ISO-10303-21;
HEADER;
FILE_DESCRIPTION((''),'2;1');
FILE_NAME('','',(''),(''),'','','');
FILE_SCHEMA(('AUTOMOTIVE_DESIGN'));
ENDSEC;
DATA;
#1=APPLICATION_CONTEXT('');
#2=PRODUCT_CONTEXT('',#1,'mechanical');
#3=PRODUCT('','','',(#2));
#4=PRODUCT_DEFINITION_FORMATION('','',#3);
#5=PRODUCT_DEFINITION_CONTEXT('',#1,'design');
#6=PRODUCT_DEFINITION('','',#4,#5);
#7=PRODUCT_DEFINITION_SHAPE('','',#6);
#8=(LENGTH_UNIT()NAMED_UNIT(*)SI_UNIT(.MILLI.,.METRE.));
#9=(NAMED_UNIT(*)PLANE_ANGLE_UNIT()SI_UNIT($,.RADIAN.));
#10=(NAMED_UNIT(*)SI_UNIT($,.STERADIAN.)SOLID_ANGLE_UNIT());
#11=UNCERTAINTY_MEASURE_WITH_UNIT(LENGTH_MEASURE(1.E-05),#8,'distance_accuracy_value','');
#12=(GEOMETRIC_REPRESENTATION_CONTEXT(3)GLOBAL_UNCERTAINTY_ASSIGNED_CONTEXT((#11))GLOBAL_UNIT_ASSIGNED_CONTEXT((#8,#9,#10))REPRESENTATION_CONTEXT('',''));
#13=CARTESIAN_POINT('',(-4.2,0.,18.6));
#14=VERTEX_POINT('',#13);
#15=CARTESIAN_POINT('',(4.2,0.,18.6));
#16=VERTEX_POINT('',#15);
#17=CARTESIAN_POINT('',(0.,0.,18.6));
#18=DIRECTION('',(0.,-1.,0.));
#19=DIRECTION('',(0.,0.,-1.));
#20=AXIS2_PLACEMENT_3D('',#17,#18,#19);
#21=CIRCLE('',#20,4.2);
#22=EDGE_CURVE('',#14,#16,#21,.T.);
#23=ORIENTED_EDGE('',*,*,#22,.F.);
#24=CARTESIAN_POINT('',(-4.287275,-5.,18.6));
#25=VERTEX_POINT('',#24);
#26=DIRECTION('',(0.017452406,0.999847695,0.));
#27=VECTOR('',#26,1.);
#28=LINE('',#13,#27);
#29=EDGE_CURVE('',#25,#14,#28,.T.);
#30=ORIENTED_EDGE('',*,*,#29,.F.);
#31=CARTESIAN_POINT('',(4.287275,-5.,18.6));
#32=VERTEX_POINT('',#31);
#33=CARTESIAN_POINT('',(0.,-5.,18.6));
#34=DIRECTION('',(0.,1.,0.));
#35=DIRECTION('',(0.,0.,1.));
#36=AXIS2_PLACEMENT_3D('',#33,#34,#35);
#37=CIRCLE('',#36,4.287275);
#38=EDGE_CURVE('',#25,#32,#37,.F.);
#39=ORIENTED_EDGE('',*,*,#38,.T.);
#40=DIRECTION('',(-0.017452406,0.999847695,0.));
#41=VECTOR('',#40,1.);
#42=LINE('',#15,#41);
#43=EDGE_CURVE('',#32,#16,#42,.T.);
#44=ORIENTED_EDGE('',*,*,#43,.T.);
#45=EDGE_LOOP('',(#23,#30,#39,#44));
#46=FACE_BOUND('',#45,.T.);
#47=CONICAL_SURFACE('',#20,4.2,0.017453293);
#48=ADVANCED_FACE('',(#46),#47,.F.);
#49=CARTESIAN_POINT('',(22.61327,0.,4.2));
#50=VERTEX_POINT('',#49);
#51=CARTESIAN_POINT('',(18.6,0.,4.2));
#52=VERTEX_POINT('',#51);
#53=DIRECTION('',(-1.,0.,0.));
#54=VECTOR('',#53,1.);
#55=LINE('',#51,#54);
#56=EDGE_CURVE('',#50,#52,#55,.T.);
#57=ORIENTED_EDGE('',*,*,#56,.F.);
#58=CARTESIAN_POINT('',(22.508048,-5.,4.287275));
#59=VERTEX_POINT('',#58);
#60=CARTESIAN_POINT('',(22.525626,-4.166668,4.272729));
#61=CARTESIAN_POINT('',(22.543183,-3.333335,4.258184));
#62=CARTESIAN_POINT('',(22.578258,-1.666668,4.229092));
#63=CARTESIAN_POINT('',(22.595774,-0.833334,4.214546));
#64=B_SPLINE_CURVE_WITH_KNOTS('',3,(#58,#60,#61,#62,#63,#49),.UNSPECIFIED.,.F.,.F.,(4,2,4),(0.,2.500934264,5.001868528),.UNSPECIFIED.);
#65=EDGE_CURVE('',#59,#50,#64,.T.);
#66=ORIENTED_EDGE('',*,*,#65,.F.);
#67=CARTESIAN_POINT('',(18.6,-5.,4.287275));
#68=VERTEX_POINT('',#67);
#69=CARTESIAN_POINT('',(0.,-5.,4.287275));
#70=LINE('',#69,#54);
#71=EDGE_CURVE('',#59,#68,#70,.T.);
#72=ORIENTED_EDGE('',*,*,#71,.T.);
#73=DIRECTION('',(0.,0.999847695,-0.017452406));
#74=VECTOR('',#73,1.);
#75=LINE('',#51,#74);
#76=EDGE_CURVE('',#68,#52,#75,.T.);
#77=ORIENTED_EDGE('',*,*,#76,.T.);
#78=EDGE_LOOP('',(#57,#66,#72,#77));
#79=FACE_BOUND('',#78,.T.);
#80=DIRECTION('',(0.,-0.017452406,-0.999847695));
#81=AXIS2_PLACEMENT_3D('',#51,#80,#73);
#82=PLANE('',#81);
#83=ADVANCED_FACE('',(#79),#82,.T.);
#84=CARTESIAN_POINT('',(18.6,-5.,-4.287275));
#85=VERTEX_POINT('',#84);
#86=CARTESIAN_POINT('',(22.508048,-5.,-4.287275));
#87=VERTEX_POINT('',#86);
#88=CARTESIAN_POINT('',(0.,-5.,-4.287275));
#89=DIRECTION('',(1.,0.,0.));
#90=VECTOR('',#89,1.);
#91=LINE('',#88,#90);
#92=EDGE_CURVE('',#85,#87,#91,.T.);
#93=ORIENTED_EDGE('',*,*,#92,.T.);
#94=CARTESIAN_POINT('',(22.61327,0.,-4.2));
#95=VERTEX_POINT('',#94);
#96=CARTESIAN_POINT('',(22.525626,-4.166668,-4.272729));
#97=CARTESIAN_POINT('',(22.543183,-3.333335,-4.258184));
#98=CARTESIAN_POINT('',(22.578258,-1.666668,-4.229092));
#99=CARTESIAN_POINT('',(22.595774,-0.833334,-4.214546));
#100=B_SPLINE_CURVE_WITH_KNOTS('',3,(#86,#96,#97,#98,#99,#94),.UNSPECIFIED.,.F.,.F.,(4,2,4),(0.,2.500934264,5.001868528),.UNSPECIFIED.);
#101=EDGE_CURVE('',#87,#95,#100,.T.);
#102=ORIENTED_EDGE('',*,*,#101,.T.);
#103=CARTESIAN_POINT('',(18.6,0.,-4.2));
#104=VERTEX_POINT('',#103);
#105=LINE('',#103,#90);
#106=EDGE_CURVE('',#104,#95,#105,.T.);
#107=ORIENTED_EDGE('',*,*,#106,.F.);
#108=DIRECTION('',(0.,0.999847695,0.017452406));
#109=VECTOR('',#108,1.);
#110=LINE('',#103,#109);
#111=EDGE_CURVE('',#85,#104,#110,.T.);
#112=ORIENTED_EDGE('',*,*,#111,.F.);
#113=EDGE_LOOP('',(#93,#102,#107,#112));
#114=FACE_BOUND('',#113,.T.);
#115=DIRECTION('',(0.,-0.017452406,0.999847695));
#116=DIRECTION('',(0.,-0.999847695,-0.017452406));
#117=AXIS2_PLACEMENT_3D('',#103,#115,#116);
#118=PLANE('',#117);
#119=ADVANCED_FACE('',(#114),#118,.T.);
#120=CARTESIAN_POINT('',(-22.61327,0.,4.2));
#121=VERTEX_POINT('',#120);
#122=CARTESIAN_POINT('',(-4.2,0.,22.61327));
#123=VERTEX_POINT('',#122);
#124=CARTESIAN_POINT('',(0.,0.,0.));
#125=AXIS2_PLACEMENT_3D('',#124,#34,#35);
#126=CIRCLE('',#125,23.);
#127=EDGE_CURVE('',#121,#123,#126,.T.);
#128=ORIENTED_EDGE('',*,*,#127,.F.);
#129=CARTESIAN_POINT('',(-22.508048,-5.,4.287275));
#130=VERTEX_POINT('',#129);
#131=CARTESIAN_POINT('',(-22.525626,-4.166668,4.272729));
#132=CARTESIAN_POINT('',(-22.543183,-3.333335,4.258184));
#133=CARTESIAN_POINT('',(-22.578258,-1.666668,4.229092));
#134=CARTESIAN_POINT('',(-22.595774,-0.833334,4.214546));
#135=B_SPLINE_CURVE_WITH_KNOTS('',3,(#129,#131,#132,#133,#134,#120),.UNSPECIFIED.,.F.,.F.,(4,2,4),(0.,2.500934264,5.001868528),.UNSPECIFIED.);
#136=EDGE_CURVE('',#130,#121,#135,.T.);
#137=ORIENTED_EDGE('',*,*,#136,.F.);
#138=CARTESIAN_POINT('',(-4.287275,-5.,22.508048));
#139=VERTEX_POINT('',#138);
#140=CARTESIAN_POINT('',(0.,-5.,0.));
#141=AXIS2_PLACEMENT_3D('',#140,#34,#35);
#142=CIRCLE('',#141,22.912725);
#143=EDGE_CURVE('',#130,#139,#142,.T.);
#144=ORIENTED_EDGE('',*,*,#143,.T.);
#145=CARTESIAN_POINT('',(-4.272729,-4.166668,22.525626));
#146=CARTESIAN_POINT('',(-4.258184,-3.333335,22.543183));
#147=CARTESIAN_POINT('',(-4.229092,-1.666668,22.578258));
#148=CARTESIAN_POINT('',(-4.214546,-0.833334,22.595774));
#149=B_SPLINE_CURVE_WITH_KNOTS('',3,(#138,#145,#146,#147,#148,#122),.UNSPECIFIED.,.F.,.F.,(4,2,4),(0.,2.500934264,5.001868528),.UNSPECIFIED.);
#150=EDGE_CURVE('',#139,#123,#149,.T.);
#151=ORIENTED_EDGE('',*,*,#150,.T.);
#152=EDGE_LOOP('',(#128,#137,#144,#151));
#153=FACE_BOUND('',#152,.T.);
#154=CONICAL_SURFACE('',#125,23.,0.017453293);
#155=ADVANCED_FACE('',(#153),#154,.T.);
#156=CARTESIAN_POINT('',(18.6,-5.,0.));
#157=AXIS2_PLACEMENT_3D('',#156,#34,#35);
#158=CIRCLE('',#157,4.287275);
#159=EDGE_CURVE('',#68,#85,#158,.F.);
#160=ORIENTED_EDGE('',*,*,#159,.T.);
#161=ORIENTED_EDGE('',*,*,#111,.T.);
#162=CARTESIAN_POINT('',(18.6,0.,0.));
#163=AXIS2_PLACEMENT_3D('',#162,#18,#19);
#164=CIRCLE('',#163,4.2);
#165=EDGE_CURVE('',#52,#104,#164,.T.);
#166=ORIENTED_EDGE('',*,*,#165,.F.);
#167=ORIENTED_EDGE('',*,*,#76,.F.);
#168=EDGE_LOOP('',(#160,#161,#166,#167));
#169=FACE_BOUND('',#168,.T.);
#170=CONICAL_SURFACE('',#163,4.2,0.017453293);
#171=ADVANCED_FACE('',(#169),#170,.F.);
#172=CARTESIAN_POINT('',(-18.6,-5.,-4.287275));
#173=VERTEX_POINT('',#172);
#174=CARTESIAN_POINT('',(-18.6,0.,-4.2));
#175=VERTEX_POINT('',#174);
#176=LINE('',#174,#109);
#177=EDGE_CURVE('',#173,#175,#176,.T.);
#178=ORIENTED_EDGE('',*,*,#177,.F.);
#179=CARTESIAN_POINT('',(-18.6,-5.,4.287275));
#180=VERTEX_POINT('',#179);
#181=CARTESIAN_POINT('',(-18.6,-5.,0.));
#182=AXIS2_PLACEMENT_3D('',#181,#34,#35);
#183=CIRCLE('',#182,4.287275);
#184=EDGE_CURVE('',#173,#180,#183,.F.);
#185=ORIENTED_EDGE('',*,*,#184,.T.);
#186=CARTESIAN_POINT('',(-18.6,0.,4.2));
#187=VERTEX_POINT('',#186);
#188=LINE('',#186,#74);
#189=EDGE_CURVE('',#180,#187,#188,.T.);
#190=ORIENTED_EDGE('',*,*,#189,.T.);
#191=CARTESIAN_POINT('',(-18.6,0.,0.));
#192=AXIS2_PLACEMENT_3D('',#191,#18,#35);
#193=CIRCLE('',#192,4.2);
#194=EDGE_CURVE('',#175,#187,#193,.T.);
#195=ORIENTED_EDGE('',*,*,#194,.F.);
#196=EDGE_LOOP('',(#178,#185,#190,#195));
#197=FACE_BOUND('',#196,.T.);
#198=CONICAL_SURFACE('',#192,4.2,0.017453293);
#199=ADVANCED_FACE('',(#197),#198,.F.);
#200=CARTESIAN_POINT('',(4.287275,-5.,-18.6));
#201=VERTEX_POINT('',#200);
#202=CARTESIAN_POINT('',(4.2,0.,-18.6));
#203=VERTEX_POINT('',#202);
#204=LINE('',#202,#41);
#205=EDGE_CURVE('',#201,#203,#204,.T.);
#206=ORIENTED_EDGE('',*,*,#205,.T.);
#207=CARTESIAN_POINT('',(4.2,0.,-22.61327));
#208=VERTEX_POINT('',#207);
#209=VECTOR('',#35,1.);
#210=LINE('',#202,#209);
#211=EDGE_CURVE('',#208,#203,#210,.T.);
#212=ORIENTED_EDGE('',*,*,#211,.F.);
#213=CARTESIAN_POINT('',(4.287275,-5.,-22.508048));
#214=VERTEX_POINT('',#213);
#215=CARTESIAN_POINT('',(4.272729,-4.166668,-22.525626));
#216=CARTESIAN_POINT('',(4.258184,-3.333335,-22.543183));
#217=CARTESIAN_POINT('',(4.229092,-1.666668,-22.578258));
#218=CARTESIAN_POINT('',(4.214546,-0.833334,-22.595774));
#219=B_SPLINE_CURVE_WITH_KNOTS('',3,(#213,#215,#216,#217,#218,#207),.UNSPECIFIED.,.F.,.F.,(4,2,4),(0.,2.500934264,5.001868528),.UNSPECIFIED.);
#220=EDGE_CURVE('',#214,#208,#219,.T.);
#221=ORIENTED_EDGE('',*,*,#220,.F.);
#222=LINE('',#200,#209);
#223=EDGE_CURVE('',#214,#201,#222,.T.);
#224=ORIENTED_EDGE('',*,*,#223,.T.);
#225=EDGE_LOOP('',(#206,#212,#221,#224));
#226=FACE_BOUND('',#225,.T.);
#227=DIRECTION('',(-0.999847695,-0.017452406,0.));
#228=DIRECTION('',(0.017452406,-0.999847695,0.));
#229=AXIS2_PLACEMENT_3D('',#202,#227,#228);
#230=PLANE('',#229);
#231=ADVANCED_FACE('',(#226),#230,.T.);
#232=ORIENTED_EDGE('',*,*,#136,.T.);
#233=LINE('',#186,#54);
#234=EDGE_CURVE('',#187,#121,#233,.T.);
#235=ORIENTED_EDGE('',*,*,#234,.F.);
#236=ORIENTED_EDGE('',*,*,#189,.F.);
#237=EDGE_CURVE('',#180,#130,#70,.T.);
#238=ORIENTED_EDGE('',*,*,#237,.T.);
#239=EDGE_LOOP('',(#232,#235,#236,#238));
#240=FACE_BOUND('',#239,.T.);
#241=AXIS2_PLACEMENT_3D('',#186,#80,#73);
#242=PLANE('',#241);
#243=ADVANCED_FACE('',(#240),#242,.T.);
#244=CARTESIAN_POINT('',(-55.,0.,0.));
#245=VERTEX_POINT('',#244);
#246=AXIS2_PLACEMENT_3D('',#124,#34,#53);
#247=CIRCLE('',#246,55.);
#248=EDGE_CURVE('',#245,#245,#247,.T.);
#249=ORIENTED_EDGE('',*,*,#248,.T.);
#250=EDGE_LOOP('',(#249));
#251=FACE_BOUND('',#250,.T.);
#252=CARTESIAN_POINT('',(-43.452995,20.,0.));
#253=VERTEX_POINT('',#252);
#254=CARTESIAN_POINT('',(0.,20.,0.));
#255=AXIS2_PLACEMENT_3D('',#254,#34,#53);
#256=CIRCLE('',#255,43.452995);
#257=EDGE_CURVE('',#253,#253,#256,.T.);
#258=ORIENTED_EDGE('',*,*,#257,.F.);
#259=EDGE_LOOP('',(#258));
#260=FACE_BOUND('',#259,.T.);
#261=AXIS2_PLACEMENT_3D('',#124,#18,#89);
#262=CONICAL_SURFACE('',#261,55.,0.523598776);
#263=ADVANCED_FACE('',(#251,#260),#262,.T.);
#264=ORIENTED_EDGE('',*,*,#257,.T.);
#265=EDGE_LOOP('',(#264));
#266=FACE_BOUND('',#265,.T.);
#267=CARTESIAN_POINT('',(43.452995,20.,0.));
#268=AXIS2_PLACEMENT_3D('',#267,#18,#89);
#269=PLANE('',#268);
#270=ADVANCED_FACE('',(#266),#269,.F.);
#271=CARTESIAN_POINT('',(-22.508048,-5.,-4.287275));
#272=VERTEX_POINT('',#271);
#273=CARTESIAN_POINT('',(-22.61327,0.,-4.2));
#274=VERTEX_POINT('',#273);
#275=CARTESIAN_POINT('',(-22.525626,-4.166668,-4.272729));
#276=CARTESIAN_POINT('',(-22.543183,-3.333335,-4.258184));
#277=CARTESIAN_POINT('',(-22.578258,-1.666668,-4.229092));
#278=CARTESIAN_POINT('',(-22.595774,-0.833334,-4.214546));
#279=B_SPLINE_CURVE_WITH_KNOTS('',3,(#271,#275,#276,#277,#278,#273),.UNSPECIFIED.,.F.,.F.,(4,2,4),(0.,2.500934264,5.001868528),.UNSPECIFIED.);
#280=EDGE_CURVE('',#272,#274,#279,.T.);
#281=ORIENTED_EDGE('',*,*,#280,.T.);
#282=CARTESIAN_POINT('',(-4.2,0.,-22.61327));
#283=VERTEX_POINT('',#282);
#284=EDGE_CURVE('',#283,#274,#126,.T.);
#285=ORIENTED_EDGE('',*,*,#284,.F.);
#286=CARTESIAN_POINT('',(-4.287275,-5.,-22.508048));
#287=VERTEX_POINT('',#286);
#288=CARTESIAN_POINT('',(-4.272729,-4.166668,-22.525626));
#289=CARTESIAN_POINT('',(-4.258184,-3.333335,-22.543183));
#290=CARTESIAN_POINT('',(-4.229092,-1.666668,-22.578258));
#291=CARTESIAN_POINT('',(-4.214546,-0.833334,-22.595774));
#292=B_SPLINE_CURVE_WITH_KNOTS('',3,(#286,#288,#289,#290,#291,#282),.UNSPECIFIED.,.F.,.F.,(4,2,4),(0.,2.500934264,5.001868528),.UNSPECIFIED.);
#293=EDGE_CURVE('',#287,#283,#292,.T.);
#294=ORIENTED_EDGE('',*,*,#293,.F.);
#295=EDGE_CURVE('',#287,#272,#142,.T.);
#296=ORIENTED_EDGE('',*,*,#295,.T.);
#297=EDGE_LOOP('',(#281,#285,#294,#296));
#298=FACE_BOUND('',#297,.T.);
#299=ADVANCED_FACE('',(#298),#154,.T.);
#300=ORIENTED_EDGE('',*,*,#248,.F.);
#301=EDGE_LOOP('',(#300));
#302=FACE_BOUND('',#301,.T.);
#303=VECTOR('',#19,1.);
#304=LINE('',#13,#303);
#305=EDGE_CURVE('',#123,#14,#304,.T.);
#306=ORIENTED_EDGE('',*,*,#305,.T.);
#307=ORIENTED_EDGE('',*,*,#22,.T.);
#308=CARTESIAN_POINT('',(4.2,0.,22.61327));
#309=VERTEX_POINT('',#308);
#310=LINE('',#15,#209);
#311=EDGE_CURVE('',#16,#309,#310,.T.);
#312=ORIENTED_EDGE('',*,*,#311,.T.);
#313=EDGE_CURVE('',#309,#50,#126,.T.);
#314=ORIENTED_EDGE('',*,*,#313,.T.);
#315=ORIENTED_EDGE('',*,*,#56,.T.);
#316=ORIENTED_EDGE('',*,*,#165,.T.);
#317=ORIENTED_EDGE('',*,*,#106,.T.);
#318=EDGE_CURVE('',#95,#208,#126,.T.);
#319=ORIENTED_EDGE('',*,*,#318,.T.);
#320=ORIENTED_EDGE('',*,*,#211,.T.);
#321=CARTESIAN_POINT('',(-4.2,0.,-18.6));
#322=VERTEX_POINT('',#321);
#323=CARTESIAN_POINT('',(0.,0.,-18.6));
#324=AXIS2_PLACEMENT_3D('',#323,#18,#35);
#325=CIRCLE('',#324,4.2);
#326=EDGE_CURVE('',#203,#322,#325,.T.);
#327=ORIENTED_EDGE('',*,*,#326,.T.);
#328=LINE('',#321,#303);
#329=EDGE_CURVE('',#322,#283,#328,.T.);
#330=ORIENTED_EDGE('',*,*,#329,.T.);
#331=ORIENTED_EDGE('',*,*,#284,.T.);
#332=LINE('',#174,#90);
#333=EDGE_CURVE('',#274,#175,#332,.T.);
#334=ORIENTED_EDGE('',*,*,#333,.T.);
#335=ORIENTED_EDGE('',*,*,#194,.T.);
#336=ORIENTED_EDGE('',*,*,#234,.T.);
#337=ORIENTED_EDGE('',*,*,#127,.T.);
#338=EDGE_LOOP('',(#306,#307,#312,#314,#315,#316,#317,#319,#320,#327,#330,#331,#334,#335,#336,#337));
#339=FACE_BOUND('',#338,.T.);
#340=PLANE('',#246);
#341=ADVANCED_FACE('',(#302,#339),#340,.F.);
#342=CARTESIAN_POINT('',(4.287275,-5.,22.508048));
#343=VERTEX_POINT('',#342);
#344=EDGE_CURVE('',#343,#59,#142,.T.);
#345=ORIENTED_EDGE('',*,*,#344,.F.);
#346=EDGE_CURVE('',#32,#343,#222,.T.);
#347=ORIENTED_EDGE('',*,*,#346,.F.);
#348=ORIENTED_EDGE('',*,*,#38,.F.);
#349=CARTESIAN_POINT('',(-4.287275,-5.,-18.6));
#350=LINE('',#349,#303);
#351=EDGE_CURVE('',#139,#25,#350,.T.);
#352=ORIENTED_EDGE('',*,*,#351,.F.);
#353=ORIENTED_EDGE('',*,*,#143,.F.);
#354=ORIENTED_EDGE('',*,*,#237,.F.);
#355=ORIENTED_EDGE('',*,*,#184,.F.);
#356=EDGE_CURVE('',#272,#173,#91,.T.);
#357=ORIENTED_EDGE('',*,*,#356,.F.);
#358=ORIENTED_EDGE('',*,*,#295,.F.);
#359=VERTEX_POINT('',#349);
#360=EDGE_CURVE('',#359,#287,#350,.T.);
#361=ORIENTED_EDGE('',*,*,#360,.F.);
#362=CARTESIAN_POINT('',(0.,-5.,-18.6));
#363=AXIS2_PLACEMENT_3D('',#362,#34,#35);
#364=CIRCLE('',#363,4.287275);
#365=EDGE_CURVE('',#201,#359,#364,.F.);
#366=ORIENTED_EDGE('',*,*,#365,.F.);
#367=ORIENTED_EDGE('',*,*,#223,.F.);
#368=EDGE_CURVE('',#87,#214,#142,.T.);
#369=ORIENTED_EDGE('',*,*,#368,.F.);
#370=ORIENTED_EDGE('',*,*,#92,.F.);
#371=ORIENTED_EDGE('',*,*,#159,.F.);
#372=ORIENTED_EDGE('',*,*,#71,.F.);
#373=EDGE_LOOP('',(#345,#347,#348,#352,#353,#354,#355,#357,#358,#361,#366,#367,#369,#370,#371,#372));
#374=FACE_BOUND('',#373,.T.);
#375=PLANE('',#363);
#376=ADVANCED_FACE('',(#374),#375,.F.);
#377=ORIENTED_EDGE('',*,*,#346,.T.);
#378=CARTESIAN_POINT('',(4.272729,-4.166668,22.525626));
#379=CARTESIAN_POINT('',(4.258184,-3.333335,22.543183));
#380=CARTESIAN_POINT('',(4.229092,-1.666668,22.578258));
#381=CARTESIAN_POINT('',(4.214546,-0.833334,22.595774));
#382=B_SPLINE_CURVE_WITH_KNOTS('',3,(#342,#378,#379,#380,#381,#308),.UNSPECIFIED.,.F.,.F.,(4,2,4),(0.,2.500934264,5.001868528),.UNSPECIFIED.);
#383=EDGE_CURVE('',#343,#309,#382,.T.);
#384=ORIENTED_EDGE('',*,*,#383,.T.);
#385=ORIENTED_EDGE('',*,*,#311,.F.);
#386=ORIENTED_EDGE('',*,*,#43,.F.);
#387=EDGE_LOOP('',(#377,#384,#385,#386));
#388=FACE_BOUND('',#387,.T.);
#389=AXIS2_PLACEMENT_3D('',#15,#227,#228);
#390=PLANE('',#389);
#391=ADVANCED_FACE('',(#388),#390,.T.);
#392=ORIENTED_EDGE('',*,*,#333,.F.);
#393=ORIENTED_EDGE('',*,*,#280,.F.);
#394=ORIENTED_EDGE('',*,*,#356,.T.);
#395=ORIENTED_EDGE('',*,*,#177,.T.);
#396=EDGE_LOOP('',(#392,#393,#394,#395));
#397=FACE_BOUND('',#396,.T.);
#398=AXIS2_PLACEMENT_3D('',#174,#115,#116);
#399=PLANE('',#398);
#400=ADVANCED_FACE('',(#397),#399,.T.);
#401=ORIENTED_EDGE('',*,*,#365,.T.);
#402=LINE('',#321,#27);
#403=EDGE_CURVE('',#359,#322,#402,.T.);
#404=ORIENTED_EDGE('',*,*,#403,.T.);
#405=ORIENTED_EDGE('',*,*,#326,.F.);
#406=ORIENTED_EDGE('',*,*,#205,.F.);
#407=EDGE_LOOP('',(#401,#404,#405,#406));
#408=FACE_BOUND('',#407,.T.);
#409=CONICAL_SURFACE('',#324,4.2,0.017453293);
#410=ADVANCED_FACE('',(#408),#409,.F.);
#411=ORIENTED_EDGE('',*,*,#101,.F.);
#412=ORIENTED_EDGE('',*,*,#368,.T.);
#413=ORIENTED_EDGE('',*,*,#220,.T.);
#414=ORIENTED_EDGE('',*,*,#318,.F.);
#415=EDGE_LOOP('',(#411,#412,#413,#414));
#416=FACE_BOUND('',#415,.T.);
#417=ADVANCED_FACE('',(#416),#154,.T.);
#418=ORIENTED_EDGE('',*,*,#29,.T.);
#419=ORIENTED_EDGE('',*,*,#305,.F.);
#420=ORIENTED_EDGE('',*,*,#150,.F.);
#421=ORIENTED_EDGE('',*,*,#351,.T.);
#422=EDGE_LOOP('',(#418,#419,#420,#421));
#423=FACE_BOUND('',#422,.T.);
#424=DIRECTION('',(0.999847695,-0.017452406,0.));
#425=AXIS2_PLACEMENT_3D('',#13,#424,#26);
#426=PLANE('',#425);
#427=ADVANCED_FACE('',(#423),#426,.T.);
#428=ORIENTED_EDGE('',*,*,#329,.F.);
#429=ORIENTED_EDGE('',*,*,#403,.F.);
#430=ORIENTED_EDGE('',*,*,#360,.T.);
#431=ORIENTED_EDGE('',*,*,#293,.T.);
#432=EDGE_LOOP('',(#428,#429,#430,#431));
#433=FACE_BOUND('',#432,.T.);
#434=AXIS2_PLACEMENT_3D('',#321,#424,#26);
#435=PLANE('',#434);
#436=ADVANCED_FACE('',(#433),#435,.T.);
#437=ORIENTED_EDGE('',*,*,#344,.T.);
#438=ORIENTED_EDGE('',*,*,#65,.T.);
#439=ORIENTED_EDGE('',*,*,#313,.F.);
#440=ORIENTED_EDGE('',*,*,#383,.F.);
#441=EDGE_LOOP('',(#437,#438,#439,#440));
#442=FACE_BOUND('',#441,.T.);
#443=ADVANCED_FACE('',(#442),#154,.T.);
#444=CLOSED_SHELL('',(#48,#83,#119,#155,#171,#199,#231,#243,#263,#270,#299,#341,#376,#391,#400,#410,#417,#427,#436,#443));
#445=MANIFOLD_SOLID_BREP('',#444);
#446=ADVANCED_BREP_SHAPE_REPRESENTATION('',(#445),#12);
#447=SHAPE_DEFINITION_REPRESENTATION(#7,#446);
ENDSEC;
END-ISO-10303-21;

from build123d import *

# Parameters (mm, degrees)
BOSS_EXTRUDE1_DEPTH = 5
BOSS_EXTRUDE1_TAPER = 1


with BuildPart() as part:
    # Sketch2 → Boss-Extrude1 (new body)
    with BuildSketch(Plane(origin=(0, 0, 0), x_dir=(1, 0, 0), z_dir=(0, 1, 0))):
        with BuildLine():
            Line((-4.2, 18.6), (-4.2, 22.61327044))
            ThreePointArc((-4.2, 22.61327044), (-16.263455967, 16.263455967), (-22.61327044, 4.2))
            Line((-22.61327044, 4.2), (-18.6, 4.2))
            ThreePointArc((-18.6, 4.2), (-14.4, 0), (-18.6, -4.2))
            Line((-18.6, -4.2), (-22.61327044, -4.2))
            ThreePointArc((-22.61327044, -4.2), (-16.263455967, -16.263455967), (-4.2, -22.61327044))
            Line((-4.2, -22.61327044), (-4.2, -18.6))
            ThreePointArc((-4.2, -18.6), (0, -14.4), (4.2, -18.6))
            Line((4.2, -18.6), (4.2, -22.61327044))
            ThreePointArc((4.2, -22.61327044), (16.263455967, -16.263455967), (22.61327044, -4.2))
            Line((22.61327044, -4.2), (18.6, -4.2))
            ThreePointArc((18.6, -4.2), (14.4, 0), (18.6, 4.2))
            Line((18.6, 4.2), (22.61327044, 4.2))
            ThreePointArc((22.61327044, 4.2), (16.263455967, 16.263455967), (4.2, 22.61327044))
            Line((4.2, 22.61327044), (4.2, 18.6))
            ThreePointArc((4.2, 18.6), (0, 14.4), (-4.2, 18.6))
        make_face()
    extrude(amount=-BOSS_EXTRUDE1_DEPTH, taper=BOSS_EXTRUDE1_TAPER)

    # Sketch4 → Revolve1 (revolve)
    with BuildSketch(Plane.XY):
        Polygon((0, 0), (55, 0), (43.452994616, 20), (0, 20), align=None)
    revolve(axis=Axis((0, 20, 0), (0, -1, 0)))


solid = part.part
